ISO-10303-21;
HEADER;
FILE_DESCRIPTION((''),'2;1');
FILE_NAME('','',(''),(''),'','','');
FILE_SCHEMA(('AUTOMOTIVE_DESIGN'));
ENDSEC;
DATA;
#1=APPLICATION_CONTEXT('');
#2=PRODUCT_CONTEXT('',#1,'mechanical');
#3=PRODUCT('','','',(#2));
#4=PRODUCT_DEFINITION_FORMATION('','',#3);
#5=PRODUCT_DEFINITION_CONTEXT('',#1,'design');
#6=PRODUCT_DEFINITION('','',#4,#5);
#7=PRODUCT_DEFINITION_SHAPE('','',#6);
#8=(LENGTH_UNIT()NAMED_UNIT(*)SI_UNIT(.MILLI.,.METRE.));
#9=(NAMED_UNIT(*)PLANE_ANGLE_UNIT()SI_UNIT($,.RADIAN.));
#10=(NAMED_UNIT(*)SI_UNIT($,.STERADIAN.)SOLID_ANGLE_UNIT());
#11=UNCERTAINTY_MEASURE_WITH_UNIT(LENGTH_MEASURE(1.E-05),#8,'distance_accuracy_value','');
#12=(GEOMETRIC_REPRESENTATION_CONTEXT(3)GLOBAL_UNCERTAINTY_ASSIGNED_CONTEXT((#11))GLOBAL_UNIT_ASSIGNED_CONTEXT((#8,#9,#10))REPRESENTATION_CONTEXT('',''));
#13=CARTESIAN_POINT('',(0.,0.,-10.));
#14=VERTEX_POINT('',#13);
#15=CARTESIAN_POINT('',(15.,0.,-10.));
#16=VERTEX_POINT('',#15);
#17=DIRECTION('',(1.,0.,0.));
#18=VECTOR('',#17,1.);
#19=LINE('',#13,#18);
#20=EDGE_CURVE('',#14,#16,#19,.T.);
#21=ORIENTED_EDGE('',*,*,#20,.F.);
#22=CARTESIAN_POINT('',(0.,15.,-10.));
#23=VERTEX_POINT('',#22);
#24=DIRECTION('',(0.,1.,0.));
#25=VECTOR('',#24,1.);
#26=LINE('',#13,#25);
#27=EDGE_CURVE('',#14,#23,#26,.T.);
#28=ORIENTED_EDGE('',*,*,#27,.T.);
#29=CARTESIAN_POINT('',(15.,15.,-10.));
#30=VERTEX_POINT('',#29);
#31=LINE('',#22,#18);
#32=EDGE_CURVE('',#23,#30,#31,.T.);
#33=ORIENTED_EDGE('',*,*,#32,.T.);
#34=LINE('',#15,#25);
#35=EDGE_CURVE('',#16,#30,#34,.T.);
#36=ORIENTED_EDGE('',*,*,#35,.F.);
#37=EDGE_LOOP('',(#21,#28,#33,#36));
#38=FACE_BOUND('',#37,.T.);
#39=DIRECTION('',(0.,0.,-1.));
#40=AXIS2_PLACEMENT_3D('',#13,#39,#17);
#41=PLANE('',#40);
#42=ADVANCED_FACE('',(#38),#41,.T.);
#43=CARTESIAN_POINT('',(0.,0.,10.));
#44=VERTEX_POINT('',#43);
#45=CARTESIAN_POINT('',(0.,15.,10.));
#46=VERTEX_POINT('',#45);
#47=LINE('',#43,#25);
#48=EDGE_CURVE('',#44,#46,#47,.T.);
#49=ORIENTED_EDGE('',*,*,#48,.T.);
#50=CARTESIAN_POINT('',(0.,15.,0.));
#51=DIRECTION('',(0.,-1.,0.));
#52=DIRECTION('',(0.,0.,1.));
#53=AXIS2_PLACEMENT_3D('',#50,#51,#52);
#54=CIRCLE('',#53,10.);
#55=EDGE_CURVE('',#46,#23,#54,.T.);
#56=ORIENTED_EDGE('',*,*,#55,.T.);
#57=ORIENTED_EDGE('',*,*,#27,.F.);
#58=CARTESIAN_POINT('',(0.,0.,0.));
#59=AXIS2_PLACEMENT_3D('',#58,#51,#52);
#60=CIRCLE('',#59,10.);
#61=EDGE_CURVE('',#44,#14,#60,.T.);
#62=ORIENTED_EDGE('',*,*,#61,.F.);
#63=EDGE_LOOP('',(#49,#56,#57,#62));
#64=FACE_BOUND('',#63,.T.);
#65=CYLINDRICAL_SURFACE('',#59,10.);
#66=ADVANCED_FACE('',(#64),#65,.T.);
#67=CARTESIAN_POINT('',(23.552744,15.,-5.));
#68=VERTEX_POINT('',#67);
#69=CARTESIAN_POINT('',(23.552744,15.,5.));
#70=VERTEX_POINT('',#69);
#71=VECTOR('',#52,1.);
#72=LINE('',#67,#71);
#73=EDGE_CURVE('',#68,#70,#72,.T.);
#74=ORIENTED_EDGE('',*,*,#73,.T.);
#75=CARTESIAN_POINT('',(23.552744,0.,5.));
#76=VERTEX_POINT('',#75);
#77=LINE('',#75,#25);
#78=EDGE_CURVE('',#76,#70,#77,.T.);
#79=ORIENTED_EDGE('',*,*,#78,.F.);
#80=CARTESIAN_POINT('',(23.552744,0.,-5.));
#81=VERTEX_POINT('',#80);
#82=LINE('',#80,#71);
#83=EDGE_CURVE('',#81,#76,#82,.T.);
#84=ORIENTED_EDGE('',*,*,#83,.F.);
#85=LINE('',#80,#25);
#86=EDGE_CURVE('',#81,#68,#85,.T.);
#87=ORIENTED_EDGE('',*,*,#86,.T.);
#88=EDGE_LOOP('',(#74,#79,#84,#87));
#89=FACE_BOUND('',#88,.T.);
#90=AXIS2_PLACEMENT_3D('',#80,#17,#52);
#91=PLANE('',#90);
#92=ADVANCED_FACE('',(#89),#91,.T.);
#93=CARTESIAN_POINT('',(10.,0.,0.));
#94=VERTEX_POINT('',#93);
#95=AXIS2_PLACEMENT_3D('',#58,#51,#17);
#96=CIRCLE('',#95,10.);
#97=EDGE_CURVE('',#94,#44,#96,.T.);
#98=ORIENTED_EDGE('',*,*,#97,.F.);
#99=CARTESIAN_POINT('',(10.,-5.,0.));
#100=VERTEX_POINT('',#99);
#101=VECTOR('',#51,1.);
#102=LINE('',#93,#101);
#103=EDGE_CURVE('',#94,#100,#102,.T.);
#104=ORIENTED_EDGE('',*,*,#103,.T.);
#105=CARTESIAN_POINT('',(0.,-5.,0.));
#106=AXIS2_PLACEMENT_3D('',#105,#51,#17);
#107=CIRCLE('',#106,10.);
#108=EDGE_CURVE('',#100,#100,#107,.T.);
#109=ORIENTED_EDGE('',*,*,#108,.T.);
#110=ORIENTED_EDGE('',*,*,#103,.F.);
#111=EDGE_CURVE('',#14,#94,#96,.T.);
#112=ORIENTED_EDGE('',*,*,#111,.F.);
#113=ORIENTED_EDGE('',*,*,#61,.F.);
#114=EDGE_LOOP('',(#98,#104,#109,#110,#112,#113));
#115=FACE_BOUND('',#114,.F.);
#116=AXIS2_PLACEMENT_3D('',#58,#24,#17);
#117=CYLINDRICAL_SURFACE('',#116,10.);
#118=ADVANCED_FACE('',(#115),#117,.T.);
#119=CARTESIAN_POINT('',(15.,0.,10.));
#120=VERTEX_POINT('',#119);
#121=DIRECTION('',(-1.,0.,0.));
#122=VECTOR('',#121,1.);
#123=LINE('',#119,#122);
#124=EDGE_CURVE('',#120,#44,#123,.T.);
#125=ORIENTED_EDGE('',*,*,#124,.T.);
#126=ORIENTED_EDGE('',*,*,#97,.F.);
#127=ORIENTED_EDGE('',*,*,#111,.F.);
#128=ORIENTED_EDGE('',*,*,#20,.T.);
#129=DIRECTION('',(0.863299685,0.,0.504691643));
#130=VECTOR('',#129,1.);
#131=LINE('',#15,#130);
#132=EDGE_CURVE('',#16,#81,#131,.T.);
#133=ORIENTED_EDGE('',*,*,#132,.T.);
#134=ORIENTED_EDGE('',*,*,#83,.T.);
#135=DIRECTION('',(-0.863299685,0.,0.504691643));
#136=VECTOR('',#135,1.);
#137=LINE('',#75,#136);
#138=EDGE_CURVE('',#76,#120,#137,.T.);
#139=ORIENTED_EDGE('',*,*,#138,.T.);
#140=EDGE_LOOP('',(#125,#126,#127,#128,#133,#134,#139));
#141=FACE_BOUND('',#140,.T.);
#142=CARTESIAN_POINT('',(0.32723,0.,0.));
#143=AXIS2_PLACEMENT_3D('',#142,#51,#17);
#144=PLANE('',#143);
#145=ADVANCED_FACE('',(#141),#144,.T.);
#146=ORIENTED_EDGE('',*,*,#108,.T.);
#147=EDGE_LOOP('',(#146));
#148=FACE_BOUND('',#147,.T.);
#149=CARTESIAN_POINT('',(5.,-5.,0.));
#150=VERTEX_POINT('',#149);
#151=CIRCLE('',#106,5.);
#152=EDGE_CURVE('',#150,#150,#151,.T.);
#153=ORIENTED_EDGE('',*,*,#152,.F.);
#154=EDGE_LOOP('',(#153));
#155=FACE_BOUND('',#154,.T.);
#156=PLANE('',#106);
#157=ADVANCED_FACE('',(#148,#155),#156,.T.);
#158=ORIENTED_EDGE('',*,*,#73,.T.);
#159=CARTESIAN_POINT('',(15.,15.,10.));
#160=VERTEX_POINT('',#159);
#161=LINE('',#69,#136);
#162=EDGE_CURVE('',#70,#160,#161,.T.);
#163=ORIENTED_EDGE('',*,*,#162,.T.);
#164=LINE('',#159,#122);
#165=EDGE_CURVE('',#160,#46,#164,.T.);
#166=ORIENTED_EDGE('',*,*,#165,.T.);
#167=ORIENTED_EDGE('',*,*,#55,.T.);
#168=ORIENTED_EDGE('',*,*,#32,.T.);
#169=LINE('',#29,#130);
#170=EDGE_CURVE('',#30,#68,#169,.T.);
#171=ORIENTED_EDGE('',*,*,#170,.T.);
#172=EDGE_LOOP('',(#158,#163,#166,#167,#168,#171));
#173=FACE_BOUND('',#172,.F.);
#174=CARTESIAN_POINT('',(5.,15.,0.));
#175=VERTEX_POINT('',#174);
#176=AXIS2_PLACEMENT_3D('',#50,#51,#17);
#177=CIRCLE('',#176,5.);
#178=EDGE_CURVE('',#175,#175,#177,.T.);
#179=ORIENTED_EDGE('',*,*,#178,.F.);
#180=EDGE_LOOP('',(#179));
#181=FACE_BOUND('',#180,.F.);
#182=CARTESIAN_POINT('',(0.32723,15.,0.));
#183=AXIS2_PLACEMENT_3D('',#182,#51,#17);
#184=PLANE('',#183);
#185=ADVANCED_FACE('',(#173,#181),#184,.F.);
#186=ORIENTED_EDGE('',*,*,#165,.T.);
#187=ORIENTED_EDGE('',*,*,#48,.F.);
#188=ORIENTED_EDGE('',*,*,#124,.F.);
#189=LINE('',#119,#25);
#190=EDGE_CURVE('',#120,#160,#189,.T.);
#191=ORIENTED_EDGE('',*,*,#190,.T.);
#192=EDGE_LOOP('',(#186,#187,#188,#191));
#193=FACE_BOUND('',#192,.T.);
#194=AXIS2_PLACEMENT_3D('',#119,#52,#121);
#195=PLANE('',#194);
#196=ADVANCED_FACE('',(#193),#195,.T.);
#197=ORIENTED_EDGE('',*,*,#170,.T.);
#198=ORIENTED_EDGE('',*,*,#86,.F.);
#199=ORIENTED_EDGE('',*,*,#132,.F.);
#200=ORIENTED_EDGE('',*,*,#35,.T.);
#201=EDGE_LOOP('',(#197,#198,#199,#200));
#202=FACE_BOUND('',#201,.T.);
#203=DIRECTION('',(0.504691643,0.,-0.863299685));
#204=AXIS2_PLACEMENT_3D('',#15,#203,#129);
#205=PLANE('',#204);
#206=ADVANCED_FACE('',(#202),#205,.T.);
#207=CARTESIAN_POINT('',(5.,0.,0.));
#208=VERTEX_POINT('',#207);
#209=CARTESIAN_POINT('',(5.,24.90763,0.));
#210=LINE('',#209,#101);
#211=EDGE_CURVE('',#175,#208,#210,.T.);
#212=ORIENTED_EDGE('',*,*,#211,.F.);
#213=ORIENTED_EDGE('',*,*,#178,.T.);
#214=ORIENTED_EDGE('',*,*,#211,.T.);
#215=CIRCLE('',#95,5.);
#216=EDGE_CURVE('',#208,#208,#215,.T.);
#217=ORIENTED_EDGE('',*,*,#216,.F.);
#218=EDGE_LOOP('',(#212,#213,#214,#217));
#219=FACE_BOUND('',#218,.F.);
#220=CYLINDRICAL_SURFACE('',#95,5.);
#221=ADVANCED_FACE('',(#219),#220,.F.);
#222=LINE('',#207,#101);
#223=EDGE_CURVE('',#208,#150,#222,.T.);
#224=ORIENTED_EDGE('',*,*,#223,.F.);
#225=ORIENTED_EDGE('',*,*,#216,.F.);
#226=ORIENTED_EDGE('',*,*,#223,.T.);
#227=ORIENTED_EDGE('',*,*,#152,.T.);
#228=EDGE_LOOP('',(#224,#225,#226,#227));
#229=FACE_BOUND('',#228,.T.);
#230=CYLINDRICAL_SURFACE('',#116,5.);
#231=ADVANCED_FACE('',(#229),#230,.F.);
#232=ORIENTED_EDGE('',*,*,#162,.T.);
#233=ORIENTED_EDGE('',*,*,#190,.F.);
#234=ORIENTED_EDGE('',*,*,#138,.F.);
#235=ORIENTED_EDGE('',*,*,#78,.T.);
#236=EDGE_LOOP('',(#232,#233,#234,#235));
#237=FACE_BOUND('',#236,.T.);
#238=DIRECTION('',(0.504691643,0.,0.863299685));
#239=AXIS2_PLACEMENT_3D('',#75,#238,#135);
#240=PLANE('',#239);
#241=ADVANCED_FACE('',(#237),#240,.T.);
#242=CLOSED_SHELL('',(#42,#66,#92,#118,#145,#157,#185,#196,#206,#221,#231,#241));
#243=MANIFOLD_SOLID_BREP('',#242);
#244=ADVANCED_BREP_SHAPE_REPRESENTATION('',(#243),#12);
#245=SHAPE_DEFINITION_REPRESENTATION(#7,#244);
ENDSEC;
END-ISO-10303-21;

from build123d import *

# Parameters (mm, degrees)
F0_R     = 10
F0_R_2   = 5
F1_DEPTH = 5
F3_DEPTH = 15
F4_R     = 5
F5_DEPTH = 24.90763


with BuildPart() as f1:
    # F0 (on Front) → F1 (new body)
    with BuildSketch(Plane.XZ):
        Circle(F0_R)
        Circle(F0_R_2, mode=Mode.SUBTRACT)
    extrude(amount=F1_DEPTH)

    # F2 (on Front) → F3 (join)
    with BuildSketch(Plane.XZ):
        with BuildLine():
            ThreePointArc((0, -10), (7.071068, -7.071068), (10, 0))
            ThreePointArc((10, 0), (7.071068, 7.071068), (0, 10))
            ThreePointArc((0, 10), (-10, 0), (0, -10))
        make_face()
        with BuildLine():
            ThreePointArc((0, 10), (7.071068, 7.071068), (10, 0))
            ThreePointArc((10, 0), (7.071068, -7.071068), (0, -10))
            Line((0, -10), (15, -10))
            Line((15, -10), (23.552744, -5))
            Line((23.552744, -5), (23.552744, 5))
            Line((23.552744, 5), (15, 10))
            Line((15, 10), (0, 10))
        make_face()
    extrude(amount=-F3_DEPTH)

    # F4 (on Front) → F5 (cut, symmetric)
    with BuildSketch(Plane.XZ):
        Circle(F4_R)
    extrude(amount=F5_DEPTH, both=True, mode=Mode.SUBTRACT)


solid = f1.part
